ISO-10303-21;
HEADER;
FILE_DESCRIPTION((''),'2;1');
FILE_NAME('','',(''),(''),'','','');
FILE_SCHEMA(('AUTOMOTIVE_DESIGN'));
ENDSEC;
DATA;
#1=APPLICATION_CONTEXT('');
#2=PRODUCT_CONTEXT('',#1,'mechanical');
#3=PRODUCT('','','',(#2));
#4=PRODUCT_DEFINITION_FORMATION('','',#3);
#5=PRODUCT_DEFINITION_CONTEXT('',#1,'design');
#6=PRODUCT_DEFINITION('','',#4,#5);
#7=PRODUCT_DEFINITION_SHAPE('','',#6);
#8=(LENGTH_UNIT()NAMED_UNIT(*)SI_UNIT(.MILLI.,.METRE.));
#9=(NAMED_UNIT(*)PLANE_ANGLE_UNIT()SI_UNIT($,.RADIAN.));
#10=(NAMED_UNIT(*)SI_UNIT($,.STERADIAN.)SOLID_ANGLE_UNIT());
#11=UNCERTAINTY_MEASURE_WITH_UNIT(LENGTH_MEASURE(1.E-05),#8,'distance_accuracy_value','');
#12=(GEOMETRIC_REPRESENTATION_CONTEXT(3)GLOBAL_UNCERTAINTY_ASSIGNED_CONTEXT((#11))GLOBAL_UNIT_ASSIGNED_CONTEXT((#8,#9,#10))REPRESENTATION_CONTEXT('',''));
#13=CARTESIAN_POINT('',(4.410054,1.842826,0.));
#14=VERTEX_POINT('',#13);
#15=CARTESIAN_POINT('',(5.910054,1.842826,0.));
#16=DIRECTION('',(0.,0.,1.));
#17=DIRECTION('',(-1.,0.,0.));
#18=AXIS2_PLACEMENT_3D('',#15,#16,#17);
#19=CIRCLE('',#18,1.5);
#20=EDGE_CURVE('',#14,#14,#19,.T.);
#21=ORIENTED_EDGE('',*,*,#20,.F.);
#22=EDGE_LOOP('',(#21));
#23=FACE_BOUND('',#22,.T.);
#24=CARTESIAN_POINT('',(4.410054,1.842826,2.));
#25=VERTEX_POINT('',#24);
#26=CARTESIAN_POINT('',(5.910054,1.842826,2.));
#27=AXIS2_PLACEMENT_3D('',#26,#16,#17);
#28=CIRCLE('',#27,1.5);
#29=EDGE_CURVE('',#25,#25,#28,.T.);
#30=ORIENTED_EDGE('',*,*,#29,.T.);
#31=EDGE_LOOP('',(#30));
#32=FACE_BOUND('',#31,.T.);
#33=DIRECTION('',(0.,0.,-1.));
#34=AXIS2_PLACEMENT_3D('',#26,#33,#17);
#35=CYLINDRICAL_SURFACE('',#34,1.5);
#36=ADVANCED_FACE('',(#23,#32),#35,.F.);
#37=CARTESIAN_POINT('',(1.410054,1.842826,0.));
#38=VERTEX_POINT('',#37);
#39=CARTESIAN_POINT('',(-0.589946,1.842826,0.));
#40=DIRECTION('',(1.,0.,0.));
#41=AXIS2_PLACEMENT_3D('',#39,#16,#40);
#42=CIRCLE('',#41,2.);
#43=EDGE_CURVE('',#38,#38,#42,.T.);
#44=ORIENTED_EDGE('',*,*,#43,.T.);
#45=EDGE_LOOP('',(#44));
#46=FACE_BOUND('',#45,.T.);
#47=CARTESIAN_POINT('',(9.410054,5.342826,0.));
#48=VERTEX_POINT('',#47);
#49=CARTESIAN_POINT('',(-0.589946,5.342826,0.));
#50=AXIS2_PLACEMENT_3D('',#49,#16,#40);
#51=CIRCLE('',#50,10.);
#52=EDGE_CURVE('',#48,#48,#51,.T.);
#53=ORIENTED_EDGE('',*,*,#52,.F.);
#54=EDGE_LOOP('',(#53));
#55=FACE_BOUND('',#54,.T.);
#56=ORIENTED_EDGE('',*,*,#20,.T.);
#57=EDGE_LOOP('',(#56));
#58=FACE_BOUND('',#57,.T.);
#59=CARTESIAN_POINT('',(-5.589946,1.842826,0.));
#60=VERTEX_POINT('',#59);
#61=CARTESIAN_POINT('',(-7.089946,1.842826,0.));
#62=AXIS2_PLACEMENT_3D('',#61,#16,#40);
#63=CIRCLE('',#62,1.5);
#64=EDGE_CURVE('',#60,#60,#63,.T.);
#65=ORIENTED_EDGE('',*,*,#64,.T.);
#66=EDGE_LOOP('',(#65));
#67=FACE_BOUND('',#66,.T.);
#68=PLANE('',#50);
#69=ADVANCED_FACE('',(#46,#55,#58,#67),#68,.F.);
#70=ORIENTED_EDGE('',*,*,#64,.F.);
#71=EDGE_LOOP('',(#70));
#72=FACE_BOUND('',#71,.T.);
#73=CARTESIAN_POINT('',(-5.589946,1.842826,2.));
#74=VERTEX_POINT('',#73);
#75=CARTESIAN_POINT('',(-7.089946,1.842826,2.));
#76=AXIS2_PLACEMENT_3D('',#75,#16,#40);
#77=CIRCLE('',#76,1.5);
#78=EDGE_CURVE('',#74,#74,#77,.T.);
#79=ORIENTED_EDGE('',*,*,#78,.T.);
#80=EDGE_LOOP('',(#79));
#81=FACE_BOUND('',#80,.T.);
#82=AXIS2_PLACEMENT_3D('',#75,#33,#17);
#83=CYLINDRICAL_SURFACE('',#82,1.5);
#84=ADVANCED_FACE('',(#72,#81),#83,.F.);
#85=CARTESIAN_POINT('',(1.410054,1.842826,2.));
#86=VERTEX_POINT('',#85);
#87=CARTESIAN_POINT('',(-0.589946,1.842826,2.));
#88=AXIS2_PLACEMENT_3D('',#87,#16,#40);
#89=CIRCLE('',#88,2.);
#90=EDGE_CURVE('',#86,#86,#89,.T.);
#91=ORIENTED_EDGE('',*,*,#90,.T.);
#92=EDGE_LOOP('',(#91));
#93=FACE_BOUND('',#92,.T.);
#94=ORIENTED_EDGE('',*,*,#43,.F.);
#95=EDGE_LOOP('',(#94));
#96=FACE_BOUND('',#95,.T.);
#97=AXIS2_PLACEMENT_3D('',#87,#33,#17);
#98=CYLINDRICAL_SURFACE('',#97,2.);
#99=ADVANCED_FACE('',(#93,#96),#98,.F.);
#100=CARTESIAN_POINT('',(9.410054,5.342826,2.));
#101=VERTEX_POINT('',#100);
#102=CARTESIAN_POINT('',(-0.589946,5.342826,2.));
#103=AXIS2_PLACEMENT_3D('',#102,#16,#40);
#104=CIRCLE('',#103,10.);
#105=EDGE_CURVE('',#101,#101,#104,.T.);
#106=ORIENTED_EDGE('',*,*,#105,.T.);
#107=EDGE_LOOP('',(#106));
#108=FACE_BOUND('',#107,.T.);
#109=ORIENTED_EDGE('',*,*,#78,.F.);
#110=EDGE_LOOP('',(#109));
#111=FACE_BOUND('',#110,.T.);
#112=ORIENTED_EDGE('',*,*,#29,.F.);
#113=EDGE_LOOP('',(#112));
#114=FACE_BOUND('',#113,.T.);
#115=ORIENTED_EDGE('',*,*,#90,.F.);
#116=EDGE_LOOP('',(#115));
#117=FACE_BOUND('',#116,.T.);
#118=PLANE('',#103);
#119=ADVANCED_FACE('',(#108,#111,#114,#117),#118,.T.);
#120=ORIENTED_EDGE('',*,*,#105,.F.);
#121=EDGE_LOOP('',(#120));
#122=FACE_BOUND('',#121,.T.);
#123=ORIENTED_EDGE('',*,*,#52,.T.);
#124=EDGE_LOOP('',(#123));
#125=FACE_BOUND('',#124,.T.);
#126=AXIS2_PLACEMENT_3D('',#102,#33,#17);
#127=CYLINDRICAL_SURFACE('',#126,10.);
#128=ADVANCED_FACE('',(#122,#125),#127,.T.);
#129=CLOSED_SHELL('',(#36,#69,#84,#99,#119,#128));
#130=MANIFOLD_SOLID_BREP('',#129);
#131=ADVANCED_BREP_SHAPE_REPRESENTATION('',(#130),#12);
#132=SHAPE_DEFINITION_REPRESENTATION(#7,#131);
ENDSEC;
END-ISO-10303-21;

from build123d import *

# Parameters (mm, degrees)
SKETCH_1_R      = 10
SKETCH_1_R_2    = 1.5
SKETCH_1_R_3    = 2
EXTRUDE_1_DEPTH = 2


with BuildPart() as part:
    # 草图1 → 凸台-拉伸1 (new body)
    with BuildSketch(Plane.XY):
        with Locations((-0.589945763, 5.342825614)):
            Circle(SKETCH_1_R)
        with Locations((-7.089945763, 1.842825614)):
            Circle(SKETCH_1_R_2, mode=Mode.SUBTRACT)
        with Locations(Location((5.910054237, 1.842825614, 0), (0, 0, 180))):
            Circle(SKETCH_1_R_2, mode=Mode.SUBTRACT)
        with Locations((-0.589945763, 1.842825614)):
            Circle(SKETCH_1_R_3, mode=Mode.SUBTRACT)
    extrude(amount=EXTRUDE_1_DEPTH)


solid = part.part
